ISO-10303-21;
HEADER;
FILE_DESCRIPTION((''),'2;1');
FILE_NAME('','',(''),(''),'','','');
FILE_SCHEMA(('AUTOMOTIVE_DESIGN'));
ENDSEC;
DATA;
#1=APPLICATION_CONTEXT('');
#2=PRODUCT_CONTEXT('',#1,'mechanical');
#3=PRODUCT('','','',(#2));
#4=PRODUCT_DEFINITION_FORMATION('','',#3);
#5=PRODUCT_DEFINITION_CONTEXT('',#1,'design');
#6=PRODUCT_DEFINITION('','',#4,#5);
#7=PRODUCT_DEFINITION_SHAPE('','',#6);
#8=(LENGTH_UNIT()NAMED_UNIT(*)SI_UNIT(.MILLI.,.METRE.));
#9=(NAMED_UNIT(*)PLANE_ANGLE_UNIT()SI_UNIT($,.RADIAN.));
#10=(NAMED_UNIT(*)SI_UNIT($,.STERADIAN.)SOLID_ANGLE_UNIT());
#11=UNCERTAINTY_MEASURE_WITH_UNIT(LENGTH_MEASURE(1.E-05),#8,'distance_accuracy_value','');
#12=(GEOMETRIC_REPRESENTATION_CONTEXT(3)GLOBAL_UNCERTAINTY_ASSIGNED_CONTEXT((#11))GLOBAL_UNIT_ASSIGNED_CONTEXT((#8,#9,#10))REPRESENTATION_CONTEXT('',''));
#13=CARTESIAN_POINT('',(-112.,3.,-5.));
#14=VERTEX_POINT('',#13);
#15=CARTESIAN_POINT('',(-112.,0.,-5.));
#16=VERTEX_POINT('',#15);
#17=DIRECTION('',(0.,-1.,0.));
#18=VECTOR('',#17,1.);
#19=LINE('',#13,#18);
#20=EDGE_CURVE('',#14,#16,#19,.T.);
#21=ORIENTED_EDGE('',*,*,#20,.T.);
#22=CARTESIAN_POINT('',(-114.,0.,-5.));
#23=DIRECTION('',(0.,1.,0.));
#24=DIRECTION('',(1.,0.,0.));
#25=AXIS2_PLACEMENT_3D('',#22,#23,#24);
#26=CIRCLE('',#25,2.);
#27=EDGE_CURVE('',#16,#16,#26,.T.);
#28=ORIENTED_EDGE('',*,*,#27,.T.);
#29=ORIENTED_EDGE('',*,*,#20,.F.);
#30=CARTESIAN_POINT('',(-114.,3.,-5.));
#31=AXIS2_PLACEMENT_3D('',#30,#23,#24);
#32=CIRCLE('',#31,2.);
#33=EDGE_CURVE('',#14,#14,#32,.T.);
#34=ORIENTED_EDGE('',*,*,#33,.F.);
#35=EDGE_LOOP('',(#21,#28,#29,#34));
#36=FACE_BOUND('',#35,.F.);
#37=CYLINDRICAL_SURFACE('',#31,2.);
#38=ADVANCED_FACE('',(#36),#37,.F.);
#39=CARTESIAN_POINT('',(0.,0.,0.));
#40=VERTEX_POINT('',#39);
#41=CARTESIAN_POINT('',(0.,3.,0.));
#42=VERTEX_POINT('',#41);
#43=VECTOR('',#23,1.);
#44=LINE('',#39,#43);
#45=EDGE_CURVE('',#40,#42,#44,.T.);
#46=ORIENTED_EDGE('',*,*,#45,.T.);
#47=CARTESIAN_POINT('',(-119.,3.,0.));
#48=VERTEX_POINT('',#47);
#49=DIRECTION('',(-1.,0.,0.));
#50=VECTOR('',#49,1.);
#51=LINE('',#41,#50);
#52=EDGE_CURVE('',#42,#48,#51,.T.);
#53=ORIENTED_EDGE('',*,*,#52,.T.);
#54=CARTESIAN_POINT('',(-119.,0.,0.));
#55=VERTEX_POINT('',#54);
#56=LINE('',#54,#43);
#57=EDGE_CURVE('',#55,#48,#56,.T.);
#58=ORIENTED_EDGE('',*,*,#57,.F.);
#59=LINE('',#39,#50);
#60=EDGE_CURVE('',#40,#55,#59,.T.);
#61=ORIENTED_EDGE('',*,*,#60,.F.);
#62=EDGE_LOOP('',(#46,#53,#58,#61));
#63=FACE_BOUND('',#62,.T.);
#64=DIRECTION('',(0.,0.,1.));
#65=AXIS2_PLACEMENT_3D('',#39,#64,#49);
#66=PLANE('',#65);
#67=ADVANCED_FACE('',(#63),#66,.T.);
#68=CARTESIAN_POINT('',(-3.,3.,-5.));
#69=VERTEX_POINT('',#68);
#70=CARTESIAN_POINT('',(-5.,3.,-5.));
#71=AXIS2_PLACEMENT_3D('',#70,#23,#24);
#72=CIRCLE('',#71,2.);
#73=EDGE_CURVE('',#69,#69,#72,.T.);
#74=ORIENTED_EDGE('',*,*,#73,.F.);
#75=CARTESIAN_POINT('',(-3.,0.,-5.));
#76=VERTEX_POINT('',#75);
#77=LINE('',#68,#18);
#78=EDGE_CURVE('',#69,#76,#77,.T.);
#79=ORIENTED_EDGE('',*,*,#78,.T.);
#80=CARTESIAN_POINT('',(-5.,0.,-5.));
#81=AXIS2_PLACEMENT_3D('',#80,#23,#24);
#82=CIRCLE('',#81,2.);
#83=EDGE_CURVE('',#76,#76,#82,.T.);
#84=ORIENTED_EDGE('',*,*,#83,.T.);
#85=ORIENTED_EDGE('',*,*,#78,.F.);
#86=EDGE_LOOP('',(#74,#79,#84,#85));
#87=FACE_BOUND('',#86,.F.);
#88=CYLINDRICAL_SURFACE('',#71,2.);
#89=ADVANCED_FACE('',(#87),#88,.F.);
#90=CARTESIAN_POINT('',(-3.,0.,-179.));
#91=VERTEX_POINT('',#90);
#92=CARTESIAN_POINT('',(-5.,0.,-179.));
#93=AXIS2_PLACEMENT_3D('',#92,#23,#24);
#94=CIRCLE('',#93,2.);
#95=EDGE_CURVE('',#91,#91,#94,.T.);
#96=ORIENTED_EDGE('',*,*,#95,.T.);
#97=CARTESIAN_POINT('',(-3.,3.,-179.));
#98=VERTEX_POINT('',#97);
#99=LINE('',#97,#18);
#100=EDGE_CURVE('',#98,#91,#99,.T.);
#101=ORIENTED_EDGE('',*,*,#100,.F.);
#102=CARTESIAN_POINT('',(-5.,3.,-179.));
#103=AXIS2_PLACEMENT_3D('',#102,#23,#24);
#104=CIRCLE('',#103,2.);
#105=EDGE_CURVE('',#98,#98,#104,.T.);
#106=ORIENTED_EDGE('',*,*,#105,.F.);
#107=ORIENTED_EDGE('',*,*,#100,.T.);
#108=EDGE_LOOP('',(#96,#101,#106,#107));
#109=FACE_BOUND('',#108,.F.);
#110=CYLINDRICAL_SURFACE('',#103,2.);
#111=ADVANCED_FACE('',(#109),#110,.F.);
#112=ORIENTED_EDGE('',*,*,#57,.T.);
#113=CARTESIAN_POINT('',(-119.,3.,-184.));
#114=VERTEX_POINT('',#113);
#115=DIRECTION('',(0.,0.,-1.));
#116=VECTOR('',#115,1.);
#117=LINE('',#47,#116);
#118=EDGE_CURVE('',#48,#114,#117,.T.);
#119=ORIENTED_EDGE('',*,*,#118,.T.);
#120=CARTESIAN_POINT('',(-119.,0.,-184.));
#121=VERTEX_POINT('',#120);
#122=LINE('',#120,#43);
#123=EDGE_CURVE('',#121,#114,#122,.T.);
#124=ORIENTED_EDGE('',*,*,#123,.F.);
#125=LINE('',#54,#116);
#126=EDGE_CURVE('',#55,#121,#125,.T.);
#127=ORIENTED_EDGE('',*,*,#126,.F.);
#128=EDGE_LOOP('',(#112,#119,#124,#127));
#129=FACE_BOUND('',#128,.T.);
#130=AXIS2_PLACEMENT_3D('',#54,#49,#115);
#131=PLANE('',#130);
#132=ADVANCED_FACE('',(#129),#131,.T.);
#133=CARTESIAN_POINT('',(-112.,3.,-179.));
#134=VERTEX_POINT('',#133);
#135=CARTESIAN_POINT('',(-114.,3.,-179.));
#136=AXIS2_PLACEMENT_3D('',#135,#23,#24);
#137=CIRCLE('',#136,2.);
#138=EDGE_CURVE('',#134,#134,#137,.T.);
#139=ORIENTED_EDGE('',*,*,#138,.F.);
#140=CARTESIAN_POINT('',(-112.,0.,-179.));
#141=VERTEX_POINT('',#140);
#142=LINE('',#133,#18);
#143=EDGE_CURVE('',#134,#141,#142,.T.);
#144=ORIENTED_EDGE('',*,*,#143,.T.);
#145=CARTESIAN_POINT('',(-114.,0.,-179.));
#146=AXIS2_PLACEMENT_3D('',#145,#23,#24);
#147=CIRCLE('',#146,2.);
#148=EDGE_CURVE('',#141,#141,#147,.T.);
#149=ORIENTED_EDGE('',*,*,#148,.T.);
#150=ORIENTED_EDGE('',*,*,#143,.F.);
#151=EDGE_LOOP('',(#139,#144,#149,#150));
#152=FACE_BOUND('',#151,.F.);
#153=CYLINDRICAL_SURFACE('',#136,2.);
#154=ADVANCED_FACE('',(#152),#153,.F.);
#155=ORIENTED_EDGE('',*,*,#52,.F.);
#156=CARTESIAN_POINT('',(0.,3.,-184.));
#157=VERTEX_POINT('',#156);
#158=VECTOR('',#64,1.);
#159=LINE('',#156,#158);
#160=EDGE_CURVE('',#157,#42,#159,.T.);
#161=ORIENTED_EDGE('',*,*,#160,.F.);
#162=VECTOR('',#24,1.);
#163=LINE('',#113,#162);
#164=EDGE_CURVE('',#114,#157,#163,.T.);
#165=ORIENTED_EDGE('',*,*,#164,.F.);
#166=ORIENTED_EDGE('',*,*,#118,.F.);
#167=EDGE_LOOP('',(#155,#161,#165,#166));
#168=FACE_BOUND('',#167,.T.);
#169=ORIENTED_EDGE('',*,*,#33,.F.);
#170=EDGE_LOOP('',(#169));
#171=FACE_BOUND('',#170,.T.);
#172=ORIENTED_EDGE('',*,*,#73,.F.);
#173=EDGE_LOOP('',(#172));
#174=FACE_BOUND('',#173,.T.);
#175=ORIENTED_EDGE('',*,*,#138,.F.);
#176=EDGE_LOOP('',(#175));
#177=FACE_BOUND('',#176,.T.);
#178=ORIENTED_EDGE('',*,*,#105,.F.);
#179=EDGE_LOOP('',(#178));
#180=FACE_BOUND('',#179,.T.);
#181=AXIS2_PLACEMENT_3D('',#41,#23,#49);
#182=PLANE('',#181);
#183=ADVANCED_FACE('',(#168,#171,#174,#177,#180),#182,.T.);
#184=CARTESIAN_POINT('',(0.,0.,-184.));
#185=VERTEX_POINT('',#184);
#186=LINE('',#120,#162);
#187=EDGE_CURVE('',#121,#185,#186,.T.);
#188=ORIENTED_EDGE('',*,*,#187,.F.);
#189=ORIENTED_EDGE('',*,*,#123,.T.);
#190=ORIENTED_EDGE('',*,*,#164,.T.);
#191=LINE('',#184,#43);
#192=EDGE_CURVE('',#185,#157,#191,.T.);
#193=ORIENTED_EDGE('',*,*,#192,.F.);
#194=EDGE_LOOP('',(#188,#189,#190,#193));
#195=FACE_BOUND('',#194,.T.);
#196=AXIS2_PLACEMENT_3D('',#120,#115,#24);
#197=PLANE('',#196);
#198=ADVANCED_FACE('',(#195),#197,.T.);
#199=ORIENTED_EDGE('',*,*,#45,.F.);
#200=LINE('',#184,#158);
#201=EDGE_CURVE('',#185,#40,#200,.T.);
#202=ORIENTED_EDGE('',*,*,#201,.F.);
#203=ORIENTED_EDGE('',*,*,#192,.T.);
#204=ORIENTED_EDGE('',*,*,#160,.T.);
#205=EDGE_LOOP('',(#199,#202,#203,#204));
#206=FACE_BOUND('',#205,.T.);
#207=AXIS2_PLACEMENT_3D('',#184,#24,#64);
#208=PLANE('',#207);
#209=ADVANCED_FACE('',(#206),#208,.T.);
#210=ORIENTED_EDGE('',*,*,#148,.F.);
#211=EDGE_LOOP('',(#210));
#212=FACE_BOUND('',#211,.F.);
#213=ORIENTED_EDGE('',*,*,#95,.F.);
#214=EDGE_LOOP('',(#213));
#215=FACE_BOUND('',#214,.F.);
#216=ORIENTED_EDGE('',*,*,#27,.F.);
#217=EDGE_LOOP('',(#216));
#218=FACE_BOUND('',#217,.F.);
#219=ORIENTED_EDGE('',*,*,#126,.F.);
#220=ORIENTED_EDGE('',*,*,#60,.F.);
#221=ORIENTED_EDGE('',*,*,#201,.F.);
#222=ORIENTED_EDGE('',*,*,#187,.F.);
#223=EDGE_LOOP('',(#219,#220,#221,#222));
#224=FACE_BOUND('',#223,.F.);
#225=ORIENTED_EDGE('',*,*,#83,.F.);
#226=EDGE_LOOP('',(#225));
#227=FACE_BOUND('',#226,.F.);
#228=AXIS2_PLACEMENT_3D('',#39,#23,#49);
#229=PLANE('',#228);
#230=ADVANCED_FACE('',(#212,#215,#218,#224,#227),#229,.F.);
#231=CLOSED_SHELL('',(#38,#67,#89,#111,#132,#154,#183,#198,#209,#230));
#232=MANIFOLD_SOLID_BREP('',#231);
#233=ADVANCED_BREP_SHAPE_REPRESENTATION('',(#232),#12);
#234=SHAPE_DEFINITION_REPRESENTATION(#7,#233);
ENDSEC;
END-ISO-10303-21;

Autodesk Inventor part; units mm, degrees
ref_plane "YZ Plane" through (0, 0, 0) normal (1, 0, 0) x (0, 1, 0)
ref_plane "XZ Plane" through (0, 0, 0) normal (0, 1, 0) x (-1, 0, 0)
ref_plane "XY Plane" through (0, 0, 0) normal (0, 0, 1) x (1, 0, 0)
sketch "Sketch1" plane through (0, 0, 0) normal (0, 1, 0) x (-1, 0, 0)
  line L0 (0, 0) -> (119, 0)
  line L1 (119, 0) -> (119, -184)
  line L2 (119, -184) -> (0, -184)
  line L3 (0, -184) -> (0, 0)
  dimension "d0" = 119
  dimension "d1" = 184
extrude "Extrusion1" add sketch "Sketch1" along normal blind 3
sketch "Sketch2" plane through (0, 3, 0) normal (0, 1, 0) x (1, 0, 0)
  circle A0 centre (-114, 5) radius 2
  line L0 (-119, 184) -> (-119, 0) projected
  line L1 (-119, 0) -> (0, 0) projected
  circle A1 centre (-114, 179) radius 2
  line L2 (0, 184) -> (-119, 184) projected
  circle A2 centre (-5, 179) radius 2
  line L3 (0, 0) -> (0, 184) projected
  circle A3 centre (-5, 5) radius 2
  dimension "d4" = 4
  dimension "d5" = 5
  dimension "d6" = 5
  dimension "d7" = 4
  dimension "d8" = 5
  dimension "d9" = 5
  dimension "d10" = 4
  dimension "d11" = 5
  dimension "d12" = 5
  dimension "d13" = 4
  dimension "d14" = 5
  dimension "d15" = 5
extrude "Extrusion2" cut sketch "Sketch2" against normal blind 3 contours A0 | A1 | A2 | A3
properties part number "RobotBreadBoardBoard"
